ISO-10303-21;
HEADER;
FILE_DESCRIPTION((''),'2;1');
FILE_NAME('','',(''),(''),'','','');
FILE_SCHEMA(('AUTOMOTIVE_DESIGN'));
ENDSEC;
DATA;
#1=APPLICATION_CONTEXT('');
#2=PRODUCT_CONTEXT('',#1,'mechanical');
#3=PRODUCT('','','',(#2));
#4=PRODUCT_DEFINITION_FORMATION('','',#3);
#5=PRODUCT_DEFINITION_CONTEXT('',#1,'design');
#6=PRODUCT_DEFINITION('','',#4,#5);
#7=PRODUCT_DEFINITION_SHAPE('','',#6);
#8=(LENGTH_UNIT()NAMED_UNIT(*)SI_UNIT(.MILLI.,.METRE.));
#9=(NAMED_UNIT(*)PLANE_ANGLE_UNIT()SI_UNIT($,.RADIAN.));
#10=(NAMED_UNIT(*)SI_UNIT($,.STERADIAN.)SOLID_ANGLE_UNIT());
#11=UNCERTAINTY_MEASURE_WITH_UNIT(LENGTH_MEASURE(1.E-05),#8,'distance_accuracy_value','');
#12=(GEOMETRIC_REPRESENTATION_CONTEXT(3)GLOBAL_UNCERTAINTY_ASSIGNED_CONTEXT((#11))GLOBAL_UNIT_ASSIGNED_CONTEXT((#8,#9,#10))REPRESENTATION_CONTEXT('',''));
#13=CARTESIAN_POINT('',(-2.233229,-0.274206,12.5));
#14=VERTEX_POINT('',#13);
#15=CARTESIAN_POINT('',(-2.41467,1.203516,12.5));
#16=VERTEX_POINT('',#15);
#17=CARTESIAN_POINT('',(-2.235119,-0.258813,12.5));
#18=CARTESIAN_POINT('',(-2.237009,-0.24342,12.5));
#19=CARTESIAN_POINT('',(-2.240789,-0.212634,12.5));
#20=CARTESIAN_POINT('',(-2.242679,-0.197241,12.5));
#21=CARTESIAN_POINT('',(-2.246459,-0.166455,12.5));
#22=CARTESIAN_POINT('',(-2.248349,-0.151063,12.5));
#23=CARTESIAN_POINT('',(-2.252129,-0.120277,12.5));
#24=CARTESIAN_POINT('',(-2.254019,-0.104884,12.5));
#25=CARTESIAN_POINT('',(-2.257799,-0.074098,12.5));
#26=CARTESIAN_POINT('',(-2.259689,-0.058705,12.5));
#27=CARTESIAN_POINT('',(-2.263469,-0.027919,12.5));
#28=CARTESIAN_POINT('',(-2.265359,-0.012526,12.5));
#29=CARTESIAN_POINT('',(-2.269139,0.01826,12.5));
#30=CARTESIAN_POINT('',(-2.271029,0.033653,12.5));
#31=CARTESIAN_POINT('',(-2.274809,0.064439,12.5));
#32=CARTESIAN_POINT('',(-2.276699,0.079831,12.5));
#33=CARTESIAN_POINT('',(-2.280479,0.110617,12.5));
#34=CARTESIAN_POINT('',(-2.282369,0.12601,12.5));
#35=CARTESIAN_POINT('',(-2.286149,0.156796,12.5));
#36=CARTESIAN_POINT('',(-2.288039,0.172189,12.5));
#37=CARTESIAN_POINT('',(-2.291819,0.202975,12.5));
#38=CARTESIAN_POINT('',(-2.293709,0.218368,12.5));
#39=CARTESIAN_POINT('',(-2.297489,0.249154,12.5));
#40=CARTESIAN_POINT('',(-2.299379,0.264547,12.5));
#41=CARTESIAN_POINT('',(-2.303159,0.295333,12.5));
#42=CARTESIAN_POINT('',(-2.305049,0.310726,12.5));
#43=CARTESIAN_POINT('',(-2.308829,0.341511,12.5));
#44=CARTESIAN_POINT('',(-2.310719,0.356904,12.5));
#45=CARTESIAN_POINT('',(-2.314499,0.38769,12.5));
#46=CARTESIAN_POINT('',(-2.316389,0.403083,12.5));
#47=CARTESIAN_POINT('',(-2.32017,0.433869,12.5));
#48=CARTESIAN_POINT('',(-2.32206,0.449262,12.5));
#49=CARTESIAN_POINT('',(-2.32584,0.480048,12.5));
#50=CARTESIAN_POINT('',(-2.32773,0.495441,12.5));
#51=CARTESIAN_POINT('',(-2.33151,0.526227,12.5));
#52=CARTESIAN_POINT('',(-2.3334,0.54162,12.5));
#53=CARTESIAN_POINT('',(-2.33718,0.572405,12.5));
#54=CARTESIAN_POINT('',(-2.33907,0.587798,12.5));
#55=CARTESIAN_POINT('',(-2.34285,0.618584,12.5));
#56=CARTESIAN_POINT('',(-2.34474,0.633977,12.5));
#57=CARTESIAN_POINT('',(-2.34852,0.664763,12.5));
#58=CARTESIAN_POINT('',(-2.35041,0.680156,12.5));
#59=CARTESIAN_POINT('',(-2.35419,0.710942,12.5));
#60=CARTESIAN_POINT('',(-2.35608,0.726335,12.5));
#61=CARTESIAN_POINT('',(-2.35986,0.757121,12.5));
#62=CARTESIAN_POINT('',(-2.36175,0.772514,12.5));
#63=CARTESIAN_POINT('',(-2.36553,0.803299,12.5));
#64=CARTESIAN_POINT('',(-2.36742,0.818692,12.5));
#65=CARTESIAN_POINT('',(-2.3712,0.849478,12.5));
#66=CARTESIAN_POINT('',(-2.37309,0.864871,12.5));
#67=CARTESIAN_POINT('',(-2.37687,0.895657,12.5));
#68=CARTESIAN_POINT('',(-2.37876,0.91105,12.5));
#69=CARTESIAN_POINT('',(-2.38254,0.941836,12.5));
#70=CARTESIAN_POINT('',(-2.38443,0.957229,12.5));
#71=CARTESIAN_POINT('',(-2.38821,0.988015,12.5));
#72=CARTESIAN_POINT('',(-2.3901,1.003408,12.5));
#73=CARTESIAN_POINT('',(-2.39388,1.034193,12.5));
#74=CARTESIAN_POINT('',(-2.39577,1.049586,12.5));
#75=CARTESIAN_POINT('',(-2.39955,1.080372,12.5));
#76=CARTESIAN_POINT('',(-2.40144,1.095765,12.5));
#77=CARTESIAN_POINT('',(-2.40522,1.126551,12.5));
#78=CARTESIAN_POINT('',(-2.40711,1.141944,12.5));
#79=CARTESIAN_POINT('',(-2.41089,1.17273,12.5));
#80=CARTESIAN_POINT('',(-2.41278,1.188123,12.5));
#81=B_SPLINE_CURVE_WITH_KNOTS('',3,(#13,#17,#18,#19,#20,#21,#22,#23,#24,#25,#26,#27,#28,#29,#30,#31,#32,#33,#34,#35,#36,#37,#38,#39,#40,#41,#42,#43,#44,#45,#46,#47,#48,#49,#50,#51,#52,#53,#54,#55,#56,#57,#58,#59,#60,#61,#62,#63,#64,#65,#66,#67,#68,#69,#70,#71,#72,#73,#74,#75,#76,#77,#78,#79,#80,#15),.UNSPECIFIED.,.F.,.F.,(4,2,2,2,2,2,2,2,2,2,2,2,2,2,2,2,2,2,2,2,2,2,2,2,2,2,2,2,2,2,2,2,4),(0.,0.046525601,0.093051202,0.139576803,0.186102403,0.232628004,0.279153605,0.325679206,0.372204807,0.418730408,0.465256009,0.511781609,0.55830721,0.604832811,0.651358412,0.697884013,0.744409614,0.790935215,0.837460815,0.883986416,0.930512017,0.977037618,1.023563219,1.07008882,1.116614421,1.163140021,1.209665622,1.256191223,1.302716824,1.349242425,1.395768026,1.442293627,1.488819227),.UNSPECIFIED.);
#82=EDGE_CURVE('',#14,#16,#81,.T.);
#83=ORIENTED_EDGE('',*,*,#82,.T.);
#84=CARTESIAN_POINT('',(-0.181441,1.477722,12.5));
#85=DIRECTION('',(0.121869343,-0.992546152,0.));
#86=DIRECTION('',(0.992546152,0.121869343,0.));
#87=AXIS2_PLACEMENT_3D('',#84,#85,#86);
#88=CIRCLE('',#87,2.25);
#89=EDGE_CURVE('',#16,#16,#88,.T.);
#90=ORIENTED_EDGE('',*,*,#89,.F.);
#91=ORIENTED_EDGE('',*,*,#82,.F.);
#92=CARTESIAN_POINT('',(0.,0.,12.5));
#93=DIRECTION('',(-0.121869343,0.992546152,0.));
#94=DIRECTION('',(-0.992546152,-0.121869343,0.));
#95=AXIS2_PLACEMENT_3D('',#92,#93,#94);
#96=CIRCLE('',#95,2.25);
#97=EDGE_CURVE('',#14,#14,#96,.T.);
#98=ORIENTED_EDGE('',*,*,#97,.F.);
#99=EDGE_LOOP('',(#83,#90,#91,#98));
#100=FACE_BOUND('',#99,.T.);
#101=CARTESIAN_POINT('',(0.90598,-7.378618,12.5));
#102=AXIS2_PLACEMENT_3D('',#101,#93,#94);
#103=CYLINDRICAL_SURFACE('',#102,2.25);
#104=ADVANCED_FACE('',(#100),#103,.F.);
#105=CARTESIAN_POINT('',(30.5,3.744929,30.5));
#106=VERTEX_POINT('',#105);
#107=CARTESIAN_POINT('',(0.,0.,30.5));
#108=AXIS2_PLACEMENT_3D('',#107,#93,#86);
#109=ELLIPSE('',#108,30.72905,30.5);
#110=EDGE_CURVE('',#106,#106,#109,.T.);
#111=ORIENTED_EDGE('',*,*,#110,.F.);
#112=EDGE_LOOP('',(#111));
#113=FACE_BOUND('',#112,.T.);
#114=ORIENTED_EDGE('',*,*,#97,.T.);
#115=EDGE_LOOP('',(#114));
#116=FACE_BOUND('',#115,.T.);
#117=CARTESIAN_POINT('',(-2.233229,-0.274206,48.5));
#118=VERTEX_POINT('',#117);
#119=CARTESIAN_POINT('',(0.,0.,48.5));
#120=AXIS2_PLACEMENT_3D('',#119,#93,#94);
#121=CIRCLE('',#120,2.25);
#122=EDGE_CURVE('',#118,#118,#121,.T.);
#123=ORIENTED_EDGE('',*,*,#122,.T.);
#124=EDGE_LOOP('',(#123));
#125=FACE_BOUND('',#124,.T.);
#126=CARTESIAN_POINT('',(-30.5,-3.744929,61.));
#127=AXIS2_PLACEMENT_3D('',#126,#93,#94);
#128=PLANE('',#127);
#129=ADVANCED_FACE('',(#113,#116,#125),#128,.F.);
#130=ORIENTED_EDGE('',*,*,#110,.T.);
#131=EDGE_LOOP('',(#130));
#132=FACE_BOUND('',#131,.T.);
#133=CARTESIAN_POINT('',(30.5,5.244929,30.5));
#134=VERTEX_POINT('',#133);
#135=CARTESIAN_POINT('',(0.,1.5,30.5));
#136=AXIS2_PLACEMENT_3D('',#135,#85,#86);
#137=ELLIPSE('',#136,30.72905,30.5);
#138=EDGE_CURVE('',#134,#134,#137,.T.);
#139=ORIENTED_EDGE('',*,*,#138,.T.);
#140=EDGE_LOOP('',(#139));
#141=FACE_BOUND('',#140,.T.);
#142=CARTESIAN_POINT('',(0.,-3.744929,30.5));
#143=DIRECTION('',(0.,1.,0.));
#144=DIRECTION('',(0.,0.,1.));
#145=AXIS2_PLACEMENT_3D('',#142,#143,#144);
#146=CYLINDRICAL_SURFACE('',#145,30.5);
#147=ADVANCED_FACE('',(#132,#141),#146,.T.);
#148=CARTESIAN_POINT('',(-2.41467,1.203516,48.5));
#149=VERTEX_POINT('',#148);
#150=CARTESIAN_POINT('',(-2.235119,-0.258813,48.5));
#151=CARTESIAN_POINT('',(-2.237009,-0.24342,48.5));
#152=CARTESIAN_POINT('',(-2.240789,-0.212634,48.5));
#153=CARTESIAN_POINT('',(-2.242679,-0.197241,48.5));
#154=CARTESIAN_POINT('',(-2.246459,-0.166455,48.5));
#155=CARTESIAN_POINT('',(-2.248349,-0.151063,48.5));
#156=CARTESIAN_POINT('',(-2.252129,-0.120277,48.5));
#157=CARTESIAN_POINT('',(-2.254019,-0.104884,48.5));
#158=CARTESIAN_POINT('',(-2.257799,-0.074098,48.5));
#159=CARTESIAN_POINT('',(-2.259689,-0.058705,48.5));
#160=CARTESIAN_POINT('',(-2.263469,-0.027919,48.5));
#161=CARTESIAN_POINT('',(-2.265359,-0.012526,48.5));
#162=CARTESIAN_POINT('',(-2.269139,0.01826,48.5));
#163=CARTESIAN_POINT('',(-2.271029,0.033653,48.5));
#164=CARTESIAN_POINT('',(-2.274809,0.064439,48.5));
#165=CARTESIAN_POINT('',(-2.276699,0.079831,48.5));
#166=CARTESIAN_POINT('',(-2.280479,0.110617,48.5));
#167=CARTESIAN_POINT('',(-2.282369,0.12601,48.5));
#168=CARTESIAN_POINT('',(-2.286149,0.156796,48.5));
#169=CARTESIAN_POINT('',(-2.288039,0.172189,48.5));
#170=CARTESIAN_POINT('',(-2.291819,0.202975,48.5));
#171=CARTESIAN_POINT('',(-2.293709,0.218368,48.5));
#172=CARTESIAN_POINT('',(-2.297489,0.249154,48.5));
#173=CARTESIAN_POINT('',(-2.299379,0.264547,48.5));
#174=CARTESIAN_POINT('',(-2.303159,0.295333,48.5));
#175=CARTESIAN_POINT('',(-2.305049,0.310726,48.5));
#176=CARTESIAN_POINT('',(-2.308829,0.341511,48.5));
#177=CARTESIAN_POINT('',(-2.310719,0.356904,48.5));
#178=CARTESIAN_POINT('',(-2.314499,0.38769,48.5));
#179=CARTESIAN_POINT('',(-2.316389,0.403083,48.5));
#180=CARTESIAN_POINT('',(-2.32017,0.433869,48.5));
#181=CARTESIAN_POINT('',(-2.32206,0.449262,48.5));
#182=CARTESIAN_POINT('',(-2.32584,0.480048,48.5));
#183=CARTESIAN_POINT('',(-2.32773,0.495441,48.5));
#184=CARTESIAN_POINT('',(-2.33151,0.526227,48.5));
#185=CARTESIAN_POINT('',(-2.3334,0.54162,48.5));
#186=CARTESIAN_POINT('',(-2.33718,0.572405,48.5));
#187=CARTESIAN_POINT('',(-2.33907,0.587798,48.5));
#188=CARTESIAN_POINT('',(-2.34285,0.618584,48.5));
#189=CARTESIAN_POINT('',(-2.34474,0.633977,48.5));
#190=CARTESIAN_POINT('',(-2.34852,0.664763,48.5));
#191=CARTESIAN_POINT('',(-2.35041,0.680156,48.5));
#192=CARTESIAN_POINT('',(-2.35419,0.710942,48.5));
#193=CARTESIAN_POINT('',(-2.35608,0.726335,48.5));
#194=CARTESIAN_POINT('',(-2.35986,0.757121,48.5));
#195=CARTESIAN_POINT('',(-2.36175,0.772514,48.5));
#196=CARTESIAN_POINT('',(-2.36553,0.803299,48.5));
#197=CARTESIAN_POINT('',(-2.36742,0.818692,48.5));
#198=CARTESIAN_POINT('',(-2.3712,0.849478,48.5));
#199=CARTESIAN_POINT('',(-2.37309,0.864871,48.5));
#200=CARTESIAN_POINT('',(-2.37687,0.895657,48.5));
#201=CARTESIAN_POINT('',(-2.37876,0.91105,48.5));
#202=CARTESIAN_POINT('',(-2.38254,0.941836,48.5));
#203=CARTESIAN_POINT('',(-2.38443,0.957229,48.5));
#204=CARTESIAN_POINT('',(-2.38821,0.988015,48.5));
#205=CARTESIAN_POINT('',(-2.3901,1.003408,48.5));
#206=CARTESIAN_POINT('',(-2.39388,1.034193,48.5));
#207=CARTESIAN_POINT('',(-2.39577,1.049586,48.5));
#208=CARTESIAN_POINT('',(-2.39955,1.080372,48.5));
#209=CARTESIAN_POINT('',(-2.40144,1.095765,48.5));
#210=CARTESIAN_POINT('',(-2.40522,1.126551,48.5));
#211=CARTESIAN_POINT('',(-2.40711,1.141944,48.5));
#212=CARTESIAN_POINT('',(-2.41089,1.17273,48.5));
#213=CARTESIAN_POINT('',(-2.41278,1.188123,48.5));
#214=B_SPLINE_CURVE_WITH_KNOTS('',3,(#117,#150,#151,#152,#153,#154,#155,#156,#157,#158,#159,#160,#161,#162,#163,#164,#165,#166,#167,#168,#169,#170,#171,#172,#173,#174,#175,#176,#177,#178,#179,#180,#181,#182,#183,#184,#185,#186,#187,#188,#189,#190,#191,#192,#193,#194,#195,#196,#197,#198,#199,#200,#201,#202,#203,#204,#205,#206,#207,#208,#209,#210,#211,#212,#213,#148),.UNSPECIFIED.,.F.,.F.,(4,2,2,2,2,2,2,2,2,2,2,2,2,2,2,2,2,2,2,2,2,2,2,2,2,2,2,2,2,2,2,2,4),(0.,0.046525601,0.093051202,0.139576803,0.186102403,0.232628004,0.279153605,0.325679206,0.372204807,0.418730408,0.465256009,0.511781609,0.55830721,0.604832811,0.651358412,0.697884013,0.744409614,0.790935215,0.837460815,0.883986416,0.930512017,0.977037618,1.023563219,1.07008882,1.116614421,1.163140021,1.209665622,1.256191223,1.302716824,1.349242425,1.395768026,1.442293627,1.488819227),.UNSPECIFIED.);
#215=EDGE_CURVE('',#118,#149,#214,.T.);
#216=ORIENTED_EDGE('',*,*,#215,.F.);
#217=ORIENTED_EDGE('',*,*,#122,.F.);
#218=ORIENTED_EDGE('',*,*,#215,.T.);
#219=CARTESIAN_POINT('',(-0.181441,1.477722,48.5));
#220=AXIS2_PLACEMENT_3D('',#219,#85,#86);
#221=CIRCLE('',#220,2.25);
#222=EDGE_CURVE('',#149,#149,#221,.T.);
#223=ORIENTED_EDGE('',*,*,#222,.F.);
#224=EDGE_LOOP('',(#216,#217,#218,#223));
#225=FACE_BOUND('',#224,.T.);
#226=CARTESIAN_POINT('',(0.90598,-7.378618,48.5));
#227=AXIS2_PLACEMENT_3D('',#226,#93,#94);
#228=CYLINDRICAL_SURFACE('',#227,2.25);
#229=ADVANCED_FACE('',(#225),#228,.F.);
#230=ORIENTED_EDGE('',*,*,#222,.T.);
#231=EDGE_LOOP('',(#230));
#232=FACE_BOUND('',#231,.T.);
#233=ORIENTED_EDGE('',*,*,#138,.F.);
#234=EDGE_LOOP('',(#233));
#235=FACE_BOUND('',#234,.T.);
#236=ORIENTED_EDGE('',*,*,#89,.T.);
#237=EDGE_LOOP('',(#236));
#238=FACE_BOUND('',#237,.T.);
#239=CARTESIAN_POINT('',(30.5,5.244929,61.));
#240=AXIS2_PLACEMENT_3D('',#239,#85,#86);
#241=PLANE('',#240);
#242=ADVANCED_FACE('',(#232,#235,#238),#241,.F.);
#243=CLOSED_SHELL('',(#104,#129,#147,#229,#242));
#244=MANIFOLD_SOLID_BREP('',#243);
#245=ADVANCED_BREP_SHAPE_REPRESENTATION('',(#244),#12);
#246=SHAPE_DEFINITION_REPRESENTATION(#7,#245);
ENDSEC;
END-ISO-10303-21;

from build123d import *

# Parameters (mm, degrees)
BOSS_EXTRUDE1_DEPTH     = 61
CUT_EXTRUDE7_DEPTH      = 69.401456719
CUT_EXTRUDE7_DEPTH_BACK = 69.401456719
CUT_EXTRUDE9_DEPTH      = 69.480850828
CUT_EXTRUDE9_DEPTH_BACK = 69.480850828
SKETCH11_R              = 2.25


with BuildPart() as part:
    # Sketch1 → Boss-Extrude1 (new body)
    with BuildSketch(Plane.XY):
        Polygon((-30.5, -2.244929108), (-30.5, -3.744929108), (30.5, 3.744929108), (30.5, 5.244929108), align=None)
    extrude(amount=BOSS_EXTRUDE1_DEPTH)

    # Sketch7 → Cut-Extrude7 (cut, two sides: drawn at the far end of the back side and taken through both)
    with BuildSketch(Plane(origin=(0, 0, 0), x_dir=(1, 0, 0), z_dir=(0, 1, 0)).offset(-CUT_EXTRUDE7_DEPTH_BACK)):
        with BuildLine():
            Line((9.4e-08, 0), (-30.5, 0))
            Line((-30.5, 0), (-30.5, -30.5))
            ThreePointArc((-30.5, -30.5), (-21.566756793, -8.933243141), (9.4e-08, 0))
        make_face()
        with BuildLine():
            Line((30.5, 0), (9.4e-08, 0))
            ThreePointArc((9.4e-08, 0), (21.566756859, -8.933243207), (30.5, -30.5))
            Line((30.5, -30.5), (30.5, 0))
        make_face()
        with BuildLine():
            ThreePointArc((-8e-09, -61), (-21.566756829, -52.066756823), (-30.5, -30.5))
            Line((-30.5, -30.5), (-30.5, -61))
            Line((-30.5, -61), (-8e-09, -61))
        make_face()
        with BuildLine():
            Line((30.5, -61), (30.5, -30.5))
            ThreePointArc((30.5, -30.5), (21.566756823, -52.066756829), (-8e-09, -61))
            Line((-8e-09, -61), (30.5, -61))
        make_face()
    extrude(amount=CUT_EXTRUDE7_DEPTH + CUT_EXTRUDE7_DEPTH_BACK, mode=Mode.SUBTRACT)

    # Sketch11 → Cut-Extrude9 (cut, two sides: drawn at the far end of the back side and taken through both)
    with BuildSketch(Plane(origin=(-0.181441422, 1.477721795, 0), x_dir=(0.992546151641322, 0.12186934340514832, 0), z_dir=(-0.12186934340514831, 0.9925461516413219, 0)).offset(-CUT_EXTRUDE9_DEPTH_BACK)):
        with Locations((0, -12.5)):
            Circle(SKETCH11_R)
        with Locations((0, -48.5)):
            Circle(SKETCH11_R)
    extrude(amount=CUT_EXTRUDE9_DEPTH + CUT_EXTRUDE9_DEPTH_BACK, mode=Mode.SUBTRACT)


solid = part.part
